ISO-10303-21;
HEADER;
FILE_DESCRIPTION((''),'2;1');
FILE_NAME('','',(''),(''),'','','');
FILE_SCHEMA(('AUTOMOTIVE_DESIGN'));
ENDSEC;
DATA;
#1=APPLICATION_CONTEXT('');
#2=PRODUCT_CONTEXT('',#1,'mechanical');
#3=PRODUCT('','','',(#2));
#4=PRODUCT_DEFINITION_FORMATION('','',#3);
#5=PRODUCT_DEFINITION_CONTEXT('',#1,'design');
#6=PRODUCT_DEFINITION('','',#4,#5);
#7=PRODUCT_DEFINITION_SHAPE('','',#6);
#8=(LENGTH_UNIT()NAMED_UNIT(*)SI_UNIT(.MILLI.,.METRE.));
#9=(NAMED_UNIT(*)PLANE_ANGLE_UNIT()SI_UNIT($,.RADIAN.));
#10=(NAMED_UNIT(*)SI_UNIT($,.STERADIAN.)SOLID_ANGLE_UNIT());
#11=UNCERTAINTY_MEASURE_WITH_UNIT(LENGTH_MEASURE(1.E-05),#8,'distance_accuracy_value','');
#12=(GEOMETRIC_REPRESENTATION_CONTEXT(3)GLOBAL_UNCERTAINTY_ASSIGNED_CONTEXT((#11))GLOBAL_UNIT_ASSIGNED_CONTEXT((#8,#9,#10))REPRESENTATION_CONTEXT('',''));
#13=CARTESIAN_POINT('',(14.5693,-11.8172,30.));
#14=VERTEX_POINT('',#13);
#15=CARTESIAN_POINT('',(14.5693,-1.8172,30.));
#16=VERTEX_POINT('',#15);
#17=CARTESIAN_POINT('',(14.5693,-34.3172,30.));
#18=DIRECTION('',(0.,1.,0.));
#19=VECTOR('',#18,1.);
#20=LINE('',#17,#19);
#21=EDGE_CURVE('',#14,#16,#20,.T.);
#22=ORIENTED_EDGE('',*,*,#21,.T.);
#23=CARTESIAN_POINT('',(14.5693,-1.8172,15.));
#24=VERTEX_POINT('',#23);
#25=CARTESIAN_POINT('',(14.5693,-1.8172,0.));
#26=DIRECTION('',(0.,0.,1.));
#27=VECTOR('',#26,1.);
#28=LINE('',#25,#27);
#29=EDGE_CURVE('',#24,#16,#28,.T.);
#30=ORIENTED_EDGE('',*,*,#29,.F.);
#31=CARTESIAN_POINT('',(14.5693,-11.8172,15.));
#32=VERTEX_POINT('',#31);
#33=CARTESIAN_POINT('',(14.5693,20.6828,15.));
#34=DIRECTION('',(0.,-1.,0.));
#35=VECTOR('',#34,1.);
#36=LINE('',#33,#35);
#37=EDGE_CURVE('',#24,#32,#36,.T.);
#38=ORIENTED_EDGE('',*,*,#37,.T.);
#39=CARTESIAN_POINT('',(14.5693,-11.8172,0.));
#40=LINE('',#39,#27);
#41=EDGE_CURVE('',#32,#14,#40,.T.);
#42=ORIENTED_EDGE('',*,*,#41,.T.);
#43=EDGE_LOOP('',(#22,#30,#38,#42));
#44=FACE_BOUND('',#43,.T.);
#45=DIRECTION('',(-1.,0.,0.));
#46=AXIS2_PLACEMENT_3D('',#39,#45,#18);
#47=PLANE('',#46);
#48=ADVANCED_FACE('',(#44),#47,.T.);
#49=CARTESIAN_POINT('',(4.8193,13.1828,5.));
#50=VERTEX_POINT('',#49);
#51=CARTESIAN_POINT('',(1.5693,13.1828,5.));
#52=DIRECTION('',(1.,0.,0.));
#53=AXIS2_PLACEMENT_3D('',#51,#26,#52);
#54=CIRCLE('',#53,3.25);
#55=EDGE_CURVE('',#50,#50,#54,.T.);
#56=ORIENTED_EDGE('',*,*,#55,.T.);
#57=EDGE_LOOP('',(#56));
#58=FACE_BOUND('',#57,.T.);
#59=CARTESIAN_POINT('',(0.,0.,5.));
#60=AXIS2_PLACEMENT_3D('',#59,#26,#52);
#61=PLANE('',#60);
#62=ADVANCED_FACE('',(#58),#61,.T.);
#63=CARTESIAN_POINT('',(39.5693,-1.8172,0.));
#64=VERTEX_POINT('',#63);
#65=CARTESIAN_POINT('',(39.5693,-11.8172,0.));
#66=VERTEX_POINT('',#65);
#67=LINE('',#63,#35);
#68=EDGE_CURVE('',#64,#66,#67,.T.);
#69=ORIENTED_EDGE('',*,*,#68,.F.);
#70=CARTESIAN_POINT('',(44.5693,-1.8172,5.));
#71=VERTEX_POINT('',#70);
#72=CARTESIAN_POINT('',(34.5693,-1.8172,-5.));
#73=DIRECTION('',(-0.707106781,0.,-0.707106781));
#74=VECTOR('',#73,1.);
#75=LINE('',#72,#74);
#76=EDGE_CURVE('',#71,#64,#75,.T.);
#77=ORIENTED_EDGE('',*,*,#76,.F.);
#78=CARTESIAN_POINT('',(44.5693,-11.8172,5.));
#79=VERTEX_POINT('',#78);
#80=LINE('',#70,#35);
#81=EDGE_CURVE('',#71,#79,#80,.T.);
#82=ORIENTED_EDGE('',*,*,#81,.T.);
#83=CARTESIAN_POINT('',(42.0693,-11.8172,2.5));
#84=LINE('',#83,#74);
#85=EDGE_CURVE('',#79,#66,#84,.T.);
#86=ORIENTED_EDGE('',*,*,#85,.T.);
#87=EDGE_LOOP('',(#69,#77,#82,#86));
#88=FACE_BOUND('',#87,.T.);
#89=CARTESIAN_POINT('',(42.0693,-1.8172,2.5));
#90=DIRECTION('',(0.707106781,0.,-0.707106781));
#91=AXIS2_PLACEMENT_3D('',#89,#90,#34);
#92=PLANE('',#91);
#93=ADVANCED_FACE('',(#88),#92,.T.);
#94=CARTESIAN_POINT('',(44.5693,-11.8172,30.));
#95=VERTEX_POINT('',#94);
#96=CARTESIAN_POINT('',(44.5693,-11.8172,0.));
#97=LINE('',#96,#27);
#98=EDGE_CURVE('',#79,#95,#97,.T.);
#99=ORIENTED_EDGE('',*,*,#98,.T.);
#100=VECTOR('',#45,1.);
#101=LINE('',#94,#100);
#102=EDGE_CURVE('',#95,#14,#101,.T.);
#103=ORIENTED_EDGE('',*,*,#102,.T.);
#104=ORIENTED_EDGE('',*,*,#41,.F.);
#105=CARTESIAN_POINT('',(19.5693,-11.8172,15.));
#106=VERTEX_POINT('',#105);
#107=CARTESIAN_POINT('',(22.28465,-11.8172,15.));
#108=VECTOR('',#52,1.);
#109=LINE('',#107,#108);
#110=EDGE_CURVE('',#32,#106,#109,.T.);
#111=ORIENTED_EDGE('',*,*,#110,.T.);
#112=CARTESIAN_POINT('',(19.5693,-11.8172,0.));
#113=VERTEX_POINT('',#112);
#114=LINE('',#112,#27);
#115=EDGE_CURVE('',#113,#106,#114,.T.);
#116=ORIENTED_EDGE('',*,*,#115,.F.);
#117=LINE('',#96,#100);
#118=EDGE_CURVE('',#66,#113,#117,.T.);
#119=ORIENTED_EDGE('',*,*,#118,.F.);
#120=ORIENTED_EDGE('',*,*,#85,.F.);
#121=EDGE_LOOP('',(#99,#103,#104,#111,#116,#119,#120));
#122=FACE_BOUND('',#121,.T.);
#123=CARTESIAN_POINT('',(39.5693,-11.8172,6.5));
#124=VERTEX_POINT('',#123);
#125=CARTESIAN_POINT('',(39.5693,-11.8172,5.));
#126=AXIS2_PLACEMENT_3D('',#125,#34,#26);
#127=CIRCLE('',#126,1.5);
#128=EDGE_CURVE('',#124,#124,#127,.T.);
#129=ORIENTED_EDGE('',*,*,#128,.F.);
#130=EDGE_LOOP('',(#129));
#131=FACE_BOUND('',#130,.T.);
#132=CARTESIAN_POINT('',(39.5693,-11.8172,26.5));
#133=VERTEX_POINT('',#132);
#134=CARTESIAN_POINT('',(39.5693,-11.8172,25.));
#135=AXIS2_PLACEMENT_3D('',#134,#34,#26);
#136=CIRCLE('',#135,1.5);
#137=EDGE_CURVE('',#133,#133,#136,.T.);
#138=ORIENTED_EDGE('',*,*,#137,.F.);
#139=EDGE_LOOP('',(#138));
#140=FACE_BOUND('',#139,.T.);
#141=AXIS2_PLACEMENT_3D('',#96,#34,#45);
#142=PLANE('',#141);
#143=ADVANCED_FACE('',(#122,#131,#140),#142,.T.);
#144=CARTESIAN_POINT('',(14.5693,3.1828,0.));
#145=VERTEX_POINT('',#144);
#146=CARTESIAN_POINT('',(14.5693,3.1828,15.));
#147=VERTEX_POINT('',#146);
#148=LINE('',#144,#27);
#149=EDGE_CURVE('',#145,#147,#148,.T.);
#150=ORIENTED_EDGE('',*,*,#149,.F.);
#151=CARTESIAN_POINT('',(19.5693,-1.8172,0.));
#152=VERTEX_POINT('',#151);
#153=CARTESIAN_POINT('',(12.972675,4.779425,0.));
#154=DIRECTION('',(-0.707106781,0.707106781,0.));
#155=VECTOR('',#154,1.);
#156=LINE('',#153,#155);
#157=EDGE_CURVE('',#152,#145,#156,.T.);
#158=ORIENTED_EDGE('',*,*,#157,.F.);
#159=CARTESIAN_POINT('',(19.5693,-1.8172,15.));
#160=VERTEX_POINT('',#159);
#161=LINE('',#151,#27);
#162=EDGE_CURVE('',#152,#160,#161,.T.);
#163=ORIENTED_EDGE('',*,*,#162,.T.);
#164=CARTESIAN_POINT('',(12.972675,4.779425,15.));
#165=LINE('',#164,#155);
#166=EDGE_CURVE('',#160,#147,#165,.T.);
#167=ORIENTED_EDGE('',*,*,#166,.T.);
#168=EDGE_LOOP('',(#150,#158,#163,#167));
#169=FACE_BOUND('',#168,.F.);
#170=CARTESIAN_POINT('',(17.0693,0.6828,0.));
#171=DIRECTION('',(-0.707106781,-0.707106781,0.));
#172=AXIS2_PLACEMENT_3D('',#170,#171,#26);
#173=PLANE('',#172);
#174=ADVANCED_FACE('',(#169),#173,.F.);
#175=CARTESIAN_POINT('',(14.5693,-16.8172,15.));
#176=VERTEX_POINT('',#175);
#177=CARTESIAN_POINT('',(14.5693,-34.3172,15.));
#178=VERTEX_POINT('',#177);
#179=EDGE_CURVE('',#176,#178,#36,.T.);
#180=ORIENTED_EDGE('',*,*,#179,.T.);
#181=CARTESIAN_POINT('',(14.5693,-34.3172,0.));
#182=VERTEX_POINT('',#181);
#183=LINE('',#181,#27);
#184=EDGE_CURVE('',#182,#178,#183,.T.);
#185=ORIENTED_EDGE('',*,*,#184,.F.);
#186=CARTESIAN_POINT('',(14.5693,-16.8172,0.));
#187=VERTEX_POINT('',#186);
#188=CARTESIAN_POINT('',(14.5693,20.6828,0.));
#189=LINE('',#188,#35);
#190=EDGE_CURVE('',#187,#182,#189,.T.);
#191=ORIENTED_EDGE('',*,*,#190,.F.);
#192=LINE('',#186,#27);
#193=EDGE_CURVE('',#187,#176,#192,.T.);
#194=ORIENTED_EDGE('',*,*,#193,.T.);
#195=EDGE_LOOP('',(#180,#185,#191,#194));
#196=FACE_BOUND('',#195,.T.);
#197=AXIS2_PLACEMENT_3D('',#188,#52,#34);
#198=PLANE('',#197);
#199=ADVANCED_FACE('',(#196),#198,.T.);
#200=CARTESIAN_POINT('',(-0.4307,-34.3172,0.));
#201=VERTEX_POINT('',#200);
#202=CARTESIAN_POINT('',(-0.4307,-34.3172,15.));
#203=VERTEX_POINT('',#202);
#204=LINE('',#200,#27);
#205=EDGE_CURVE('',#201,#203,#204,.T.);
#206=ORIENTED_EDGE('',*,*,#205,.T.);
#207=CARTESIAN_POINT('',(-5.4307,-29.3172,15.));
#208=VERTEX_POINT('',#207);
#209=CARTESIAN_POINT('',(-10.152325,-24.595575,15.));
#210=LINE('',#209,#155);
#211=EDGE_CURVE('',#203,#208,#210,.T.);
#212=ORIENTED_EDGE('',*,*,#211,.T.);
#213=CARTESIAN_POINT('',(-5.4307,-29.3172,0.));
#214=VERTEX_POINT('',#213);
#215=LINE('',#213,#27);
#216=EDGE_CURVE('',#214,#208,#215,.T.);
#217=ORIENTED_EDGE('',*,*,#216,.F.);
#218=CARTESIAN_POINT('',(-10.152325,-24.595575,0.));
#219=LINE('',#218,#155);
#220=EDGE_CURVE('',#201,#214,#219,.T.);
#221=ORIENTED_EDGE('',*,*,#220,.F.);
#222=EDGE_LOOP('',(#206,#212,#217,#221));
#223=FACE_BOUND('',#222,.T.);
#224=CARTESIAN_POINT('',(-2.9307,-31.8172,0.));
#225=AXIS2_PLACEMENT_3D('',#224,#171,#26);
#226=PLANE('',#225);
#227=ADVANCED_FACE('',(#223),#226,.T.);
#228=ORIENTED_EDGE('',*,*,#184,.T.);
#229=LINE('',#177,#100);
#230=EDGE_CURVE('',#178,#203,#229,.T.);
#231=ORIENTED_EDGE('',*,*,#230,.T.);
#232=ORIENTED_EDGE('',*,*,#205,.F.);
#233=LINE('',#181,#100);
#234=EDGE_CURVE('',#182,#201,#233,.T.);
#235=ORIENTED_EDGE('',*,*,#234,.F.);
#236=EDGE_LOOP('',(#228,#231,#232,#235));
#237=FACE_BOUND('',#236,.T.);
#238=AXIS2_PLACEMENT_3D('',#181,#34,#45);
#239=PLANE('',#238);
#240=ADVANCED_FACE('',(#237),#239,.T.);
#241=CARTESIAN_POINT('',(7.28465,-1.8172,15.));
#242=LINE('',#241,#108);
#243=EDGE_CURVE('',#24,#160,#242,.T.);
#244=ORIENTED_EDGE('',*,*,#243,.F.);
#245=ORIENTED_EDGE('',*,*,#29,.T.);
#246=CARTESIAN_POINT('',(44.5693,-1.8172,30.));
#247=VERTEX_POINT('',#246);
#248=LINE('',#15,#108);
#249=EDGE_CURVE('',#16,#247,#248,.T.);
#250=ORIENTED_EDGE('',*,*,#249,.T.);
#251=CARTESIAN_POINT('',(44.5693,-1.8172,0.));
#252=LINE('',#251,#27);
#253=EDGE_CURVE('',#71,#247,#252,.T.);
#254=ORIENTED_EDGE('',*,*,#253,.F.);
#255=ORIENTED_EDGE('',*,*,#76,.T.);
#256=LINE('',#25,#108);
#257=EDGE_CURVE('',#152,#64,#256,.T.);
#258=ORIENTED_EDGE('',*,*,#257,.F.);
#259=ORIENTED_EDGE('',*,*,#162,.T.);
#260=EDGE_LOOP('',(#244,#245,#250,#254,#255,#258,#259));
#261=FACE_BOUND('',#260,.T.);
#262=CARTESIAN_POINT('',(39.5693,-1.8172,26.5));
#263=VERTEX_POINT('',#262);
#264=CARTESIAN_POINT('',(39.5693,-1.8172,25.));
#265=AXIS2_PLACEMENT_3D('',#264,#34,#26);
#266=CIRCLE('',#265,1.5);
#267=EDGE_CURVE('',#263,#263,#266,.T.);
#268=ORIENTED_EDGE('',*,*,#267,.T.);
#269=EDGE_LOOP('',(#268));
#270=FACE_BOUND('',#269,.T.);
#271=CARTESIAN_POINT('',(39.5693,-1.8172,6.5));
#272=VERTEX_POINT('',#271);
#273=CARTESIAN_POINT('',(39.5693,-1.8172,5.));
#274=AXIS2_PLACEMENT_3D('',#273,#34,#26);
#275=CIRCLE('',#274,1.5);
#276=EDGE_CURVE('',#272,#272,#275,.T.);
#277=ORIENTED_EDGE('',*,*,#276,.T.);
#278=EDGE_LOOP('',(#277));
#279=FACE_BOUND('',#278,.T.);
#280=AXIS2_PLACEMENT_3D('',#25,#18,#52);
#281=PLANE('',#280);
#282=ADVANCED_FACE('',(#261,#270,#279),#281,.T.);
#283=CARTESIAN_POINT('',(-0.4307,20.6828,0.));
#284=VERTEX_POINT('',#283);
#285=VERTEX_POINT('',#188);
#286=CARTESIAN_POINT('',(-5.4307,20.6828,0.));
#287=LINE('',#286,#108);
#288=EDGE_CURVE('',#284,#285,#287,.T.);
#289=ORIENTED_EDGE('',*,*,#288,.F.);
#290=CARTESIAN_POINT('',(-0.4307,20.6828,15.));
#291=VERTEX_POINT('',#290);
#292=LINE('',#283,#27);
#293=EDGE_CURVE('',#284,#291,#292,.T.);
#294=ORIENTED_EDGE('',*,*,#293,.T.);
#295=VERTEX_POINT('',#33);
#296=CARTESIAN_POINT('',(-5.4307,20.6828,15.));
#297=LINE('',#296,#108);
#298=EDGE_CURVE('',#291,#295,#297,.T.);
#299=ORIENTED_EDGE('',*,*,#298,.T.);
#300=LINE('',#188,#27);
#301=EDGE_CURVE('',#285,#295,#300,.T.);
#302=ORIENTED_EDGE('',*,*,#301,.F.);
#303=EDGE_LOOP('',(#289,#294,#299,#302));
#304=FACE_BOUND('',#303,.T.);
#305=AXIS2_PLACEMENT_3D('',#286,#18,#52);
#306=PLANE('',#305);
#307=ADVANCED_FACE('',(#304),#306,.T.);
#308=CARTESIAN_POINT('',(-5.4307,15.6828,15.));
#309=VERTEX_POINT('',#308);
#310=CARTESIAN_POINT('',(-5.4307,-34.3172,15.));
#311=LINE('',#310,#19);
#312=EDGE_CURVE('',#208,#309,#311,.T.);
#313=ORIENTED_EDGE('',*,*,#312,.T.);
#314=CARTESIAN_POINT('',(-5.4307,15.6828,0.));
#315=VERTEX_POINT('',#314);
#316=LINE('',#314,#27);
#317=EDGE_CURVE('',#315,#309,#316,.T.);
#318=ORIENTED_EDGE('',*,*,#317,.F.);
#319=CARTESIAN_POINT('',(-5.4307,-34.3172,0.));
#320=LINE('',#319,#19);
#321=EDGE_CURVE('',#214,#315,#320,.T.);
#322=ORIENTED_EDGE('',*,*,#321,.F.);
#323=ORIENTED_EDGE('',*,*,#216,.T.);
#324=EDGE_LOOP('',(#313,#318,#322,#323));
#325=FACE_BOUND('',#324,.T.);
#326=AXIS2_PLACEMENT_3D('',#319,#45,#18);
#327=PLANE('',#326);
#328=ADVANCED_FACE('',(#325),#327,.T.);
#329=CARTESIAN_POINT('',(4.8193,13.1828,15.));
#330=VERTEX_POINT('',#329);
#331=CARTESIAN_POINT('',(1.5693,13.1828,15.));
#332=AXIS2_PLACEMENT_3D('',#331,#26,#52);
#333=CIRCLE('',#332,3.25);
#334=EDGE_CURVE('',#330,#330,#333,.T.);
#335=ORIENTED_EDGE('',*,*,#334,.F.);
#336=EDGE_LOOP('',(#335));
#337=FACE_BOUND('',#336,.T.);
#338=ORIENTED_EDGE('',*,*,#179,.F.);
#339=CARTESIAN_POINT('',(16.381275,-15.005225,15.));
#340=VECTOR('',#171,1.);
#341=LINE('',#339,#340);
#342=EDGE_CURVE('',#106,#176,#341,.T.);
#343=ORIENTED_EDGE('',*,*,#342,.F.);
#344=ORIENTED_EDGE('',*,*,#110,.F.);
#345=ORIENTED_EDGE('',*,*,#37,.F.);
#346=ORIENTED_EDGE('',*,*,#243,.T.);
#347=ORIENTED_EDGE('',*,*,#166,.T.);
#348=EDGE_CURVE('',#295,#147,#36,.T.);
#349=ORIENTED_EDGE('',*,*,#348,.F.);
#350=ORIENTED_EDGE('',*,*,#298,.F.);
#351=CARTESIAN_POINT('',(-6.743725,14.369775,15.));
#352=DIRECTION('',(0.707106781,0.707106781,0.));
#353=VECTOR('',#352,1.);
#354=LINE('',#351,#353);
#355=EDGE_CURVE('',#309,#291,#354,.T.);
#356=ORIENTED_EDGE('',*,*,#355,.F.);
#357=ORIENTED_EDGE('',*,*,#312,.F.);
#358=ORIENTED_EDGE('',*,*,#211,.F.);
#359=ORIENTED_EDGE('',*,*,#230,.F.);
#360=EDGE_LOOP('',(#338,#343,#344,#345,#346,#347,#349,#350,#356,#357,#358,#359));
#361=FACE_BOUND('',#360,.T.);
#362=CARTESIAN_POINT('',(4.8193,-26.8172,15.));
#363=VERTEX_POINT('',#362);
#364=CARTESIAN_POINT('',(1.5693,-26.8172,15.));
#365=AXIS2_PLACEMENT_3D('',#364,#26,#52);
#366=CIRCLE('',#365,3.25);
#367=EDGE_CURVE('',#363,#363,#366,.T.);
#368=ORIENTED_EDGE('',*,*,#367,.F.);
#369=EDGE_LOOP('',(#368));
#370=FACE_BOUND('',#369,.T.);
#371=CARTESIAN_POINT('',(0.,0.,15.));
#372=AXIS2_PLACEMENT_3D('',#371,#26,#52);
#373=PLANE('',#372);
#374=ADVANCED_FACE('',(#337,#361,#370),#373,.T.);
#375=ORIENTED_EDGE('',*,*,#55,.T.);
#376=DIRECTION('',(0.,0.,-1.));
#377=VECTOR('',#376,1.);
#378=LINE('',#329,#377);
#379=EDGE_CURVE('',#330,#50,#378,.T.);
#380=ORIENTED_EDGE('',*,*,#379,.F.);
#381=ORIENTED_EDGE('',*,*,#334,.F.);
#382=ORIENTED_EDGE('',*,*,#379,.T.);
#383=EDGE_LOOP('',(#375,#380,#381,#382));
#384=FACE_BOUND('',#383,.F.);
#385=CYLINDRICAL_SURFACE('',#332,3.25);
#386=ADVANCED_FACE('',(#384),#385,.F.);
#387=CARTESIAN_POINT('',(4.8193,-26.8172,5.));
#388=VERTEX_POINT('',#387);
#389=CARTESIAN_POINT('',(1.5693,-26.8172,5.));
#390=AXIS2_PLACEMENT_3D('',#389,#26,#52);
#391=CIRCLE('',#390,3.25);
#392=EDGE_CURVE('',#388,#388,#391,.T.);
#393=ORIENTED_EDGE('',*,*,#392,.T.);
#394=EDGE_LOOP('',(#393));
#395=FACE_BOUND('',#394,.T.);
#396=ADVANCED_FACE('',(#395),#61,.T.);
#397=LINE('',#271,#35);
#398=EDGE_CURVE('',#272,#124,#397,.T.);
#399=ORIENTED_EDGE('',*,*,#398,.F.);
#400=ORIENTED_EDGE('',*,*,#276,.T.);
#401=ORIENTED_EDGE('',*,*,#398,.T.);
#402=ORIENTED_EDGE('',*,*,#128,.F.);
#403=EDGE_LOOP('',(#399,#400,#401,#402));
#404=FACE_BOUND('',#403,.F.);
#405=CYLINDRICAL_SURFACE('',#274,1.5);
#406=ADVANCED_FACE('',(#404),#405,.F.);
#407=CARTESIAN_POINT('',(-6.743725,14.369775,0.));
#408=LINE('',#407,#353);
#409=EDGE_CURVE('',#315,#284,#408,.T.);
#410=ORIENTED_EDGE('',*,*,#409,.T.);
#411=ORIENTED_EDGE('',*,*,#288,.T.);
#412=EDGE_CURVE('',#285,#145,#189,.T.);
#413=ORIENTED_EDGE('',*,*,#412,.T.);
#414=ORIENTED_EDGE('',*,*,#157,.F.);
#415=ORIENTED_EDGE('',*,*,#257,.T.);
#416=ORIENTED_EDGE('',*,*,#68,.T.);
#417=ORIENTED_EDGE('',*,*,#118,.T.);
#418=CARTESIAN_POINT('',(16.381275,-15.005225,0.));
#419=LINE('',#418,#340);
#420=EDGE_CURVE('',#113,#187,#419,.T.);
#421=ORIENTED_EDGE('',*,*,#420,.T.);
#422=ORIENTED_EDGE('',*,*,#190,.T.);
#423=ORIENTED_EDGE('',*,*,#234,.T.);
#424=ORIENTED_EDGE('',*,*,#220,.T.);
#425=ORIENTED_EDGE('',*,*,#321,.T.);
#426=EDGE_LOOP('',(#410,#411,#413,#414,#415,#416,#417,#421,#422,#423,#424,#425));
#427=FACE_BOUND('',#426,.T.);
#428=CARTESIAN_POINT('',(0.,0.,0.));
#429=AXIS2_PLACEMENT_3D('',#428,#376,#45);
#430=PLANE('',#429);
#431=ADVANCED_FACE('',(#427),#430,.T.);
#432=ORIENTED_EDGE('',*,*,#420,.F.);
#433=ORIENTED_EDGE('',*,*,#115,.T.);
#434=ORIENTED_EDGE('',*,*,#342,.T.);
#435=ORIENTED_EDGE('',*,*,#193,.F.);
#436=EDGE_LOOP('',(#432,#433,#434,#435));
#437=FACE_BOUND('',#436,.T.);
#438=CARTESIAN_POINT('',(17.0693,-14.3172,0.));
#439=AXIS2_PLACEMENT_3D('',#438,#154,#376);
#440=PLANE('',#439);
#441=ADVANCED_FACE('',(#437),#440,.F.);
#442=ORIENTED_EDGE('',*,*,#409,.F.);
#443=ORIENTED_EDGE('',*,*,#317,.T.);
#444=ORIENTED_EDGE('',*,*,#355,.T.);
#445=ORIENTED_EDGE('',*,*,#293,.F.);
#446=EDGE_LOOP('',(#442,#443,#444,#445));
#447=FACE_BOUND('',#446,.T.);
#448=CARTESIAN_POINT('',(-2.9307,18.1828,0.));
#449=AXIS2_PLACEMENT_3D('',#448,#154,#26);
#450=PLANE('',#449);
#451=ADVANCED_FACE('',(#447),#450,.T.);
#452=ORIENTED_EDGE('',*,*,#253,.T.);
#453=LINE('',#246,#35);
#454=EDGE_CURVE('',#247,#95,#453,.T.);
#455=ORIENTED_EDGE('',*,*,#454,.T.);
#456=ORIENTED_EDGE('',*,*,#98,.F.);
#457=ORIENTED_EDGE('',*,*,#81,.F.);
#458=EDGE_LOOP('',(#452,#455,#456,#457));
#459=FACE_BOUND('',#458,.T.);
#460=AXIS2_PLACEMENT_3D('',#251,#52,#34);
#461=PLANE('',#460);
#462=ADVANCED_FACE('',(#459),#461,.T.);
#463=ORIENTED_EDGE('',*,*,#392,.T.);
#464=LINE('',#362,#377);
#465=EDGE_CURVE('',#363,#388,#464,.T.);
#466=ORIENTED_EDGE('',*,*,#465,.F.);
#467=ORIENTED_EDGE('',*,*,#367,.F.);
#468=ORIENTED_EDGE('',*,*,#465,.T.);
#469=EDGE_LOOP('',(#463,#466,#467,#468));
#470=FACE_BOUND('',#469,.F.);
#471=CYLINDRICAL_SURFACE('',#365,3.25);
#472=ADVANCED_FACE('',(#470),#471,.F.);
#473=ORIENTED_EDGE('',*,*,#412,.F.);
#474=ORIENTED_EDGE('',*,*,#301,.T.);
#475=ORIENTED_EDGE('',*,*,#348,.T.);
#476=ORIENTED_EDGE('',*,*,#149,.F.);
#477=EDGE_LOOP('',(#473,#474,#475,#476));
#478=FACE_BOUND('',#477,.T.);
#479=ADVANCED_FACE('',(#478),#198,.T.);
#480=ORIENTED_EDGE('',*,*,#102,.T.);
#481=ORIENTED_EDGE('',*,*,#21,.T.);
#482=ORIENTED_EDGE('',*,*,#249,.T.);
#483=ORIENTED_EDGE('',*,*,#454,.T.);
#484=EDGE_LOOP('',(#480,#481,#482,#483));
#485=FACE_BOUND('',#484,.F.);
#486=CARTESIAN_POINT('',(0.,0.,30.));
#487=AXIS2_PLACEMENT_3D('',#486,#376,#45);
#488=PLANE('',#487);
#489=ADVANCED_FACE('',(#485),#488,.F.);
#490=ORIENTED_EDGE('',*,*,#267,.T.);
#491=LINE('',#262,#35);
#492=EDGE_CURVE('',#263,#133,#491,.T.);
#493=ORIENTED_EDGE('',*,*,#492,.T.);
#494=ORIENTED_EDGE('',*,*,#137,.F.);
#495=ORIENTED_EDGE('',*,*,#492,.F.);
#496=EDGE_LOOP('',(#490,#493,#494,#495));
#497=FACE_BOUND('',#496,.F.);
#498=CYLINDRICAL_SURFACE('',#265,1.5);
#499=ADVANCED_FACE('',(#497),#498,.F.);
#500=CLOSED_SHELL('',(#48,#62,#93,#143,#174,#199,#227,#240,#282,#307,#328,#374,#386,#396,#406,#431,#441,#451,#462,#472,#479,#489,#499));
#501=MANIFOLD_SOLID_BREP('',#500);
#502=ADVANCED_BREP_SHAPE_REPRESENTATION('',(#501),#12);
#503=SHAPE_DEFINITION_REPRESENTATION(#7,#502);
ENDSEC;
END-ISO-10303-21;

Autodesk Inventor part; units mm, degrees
ref_plane "YZ Plane" through (0, 0, 0) normal (1, 0, 0) x (0, 1, 0)
ref_plane "XZ Plane" through (0, 0, 0) normal (0, 1, 0) x (-1, 0, 0)
ref_plane "XY Plane" through (0, 0, 0) normal (0, 0, 1) x (1, 0, 0)
sketch "Sketch1" plane through (0, 0, 0) normal (0, 0, 1) x (1, 0, 0)
  line L0 (-5.4307, 20.6828) -> (14.5693, 20.6828)
  line L1 (14.5693, 20.6828) -> (14.5693, -34.3172)
  line L2 (14.5693, -34.3172) -> (-5.4307, -34.3172)
  line L3 (-5.4307, -34.3172) -> (-5.4307, 20.6828)
  point P0 (0, 0)
  dimension "d0" = 55
  dimension "d1" = 20
extrude "Extrusion1" add sketch "Sketch1" along normal blind 15
sketch "Sketch2" plane through (0, 0, 15) normal (0, 0, 1) x (1, 0, 0)
  line L0 (14.5693, 20.6828) -> (-5.4307, 20.6828) projected
  line L1 (-5.4307, -34.3172) -> (-5.4307, 20.6828) projected
  line L2 (-5.4307, -34.3172) -> (14.5693, -34.3172) projected
  circle A0 centre (1.5693, 13.1828) radius 3.25
  circle A1 centre (1.5693, -26.8172) radius 3.25
  point P0 (0, 0)
  dimension "d4" = 40
  dimension "d5" = 7.5
  dimension "d6" = 7
  dimension "d7" = 7.5
  dimension "d8" = 6.5
  dimension "d9" = 6.5
extrude "Extrusion2" cut sketch "Sketch2" against normal blind 10
sketch "Sketch3" plane through (0, 0, 0) normal (0, 0, -1) x (-1, 0, 0)
  line L0 (-14.5693, -34.3172) -> (-14.5693, 20.6828) projected
  line L1 (-14.5693, -1.8172) -> (-44.5693, -1.8172)
  line L2 (-44.5693, -1.8172) -> (-44.5693, -11.8172)
  line L3 (-44.5693, -11.8172) -> (-14.5693, -11.8172)
  line L4 (-14.5693, -11.8172) -> (-14.5693, -1.8172)
  line L5 (5.4307, 20.6828) -> (5.4307, -34.3172) projected
  point P0 (0, 0)
  point P1 (5.4307, -6.8172)
  dimension "d12" = 10
  dimension "d13" = 5
  dimension "d14" = 30
extrude "Extrusion3" add sketch "Sketch3" against normal blind 30
sketch "Sketch4" plane through (14.5693, -1.8172, 0) normal (0, 1, 0) x (1, 0, 0)
  line L0 (30, 0) -> (0, 0) projected
  line L1 (30, 0) -> (30, -30) projected
  line L2 (30, -30) -> (0, -30) projected
  point P0 (-14.5693, 0)
  point P1 (25, -5)
  point P2 (25, -25)
  dimension "d17" = 5
  dimension "d18" = 5
  dimension "d19" = 5
  dimension "d20" = 5
hole "Hole1" at (39.5693, -1.8172, 5) at (39.5693, -1.8172, 25) direction (0, -1, 0) diameter 3 depth 10 tip angle 118
chamfer "Chamfer1" distance 5 angle 45 1 edges at (44.5693, -6.8172, 0)
chamfer "Chamfer2" distance 5 angle 45 2 edges at (14.5693, -1.8172, 7.5) (14.5693, -11.8172, 7.5)
chamfer "Chamfer3" distance 5 angle 45 2 edges at (-5.4307, -34.3172, 7.5) (-5.4307, 20.6828, 7.5)
properties part number "Col support top"
